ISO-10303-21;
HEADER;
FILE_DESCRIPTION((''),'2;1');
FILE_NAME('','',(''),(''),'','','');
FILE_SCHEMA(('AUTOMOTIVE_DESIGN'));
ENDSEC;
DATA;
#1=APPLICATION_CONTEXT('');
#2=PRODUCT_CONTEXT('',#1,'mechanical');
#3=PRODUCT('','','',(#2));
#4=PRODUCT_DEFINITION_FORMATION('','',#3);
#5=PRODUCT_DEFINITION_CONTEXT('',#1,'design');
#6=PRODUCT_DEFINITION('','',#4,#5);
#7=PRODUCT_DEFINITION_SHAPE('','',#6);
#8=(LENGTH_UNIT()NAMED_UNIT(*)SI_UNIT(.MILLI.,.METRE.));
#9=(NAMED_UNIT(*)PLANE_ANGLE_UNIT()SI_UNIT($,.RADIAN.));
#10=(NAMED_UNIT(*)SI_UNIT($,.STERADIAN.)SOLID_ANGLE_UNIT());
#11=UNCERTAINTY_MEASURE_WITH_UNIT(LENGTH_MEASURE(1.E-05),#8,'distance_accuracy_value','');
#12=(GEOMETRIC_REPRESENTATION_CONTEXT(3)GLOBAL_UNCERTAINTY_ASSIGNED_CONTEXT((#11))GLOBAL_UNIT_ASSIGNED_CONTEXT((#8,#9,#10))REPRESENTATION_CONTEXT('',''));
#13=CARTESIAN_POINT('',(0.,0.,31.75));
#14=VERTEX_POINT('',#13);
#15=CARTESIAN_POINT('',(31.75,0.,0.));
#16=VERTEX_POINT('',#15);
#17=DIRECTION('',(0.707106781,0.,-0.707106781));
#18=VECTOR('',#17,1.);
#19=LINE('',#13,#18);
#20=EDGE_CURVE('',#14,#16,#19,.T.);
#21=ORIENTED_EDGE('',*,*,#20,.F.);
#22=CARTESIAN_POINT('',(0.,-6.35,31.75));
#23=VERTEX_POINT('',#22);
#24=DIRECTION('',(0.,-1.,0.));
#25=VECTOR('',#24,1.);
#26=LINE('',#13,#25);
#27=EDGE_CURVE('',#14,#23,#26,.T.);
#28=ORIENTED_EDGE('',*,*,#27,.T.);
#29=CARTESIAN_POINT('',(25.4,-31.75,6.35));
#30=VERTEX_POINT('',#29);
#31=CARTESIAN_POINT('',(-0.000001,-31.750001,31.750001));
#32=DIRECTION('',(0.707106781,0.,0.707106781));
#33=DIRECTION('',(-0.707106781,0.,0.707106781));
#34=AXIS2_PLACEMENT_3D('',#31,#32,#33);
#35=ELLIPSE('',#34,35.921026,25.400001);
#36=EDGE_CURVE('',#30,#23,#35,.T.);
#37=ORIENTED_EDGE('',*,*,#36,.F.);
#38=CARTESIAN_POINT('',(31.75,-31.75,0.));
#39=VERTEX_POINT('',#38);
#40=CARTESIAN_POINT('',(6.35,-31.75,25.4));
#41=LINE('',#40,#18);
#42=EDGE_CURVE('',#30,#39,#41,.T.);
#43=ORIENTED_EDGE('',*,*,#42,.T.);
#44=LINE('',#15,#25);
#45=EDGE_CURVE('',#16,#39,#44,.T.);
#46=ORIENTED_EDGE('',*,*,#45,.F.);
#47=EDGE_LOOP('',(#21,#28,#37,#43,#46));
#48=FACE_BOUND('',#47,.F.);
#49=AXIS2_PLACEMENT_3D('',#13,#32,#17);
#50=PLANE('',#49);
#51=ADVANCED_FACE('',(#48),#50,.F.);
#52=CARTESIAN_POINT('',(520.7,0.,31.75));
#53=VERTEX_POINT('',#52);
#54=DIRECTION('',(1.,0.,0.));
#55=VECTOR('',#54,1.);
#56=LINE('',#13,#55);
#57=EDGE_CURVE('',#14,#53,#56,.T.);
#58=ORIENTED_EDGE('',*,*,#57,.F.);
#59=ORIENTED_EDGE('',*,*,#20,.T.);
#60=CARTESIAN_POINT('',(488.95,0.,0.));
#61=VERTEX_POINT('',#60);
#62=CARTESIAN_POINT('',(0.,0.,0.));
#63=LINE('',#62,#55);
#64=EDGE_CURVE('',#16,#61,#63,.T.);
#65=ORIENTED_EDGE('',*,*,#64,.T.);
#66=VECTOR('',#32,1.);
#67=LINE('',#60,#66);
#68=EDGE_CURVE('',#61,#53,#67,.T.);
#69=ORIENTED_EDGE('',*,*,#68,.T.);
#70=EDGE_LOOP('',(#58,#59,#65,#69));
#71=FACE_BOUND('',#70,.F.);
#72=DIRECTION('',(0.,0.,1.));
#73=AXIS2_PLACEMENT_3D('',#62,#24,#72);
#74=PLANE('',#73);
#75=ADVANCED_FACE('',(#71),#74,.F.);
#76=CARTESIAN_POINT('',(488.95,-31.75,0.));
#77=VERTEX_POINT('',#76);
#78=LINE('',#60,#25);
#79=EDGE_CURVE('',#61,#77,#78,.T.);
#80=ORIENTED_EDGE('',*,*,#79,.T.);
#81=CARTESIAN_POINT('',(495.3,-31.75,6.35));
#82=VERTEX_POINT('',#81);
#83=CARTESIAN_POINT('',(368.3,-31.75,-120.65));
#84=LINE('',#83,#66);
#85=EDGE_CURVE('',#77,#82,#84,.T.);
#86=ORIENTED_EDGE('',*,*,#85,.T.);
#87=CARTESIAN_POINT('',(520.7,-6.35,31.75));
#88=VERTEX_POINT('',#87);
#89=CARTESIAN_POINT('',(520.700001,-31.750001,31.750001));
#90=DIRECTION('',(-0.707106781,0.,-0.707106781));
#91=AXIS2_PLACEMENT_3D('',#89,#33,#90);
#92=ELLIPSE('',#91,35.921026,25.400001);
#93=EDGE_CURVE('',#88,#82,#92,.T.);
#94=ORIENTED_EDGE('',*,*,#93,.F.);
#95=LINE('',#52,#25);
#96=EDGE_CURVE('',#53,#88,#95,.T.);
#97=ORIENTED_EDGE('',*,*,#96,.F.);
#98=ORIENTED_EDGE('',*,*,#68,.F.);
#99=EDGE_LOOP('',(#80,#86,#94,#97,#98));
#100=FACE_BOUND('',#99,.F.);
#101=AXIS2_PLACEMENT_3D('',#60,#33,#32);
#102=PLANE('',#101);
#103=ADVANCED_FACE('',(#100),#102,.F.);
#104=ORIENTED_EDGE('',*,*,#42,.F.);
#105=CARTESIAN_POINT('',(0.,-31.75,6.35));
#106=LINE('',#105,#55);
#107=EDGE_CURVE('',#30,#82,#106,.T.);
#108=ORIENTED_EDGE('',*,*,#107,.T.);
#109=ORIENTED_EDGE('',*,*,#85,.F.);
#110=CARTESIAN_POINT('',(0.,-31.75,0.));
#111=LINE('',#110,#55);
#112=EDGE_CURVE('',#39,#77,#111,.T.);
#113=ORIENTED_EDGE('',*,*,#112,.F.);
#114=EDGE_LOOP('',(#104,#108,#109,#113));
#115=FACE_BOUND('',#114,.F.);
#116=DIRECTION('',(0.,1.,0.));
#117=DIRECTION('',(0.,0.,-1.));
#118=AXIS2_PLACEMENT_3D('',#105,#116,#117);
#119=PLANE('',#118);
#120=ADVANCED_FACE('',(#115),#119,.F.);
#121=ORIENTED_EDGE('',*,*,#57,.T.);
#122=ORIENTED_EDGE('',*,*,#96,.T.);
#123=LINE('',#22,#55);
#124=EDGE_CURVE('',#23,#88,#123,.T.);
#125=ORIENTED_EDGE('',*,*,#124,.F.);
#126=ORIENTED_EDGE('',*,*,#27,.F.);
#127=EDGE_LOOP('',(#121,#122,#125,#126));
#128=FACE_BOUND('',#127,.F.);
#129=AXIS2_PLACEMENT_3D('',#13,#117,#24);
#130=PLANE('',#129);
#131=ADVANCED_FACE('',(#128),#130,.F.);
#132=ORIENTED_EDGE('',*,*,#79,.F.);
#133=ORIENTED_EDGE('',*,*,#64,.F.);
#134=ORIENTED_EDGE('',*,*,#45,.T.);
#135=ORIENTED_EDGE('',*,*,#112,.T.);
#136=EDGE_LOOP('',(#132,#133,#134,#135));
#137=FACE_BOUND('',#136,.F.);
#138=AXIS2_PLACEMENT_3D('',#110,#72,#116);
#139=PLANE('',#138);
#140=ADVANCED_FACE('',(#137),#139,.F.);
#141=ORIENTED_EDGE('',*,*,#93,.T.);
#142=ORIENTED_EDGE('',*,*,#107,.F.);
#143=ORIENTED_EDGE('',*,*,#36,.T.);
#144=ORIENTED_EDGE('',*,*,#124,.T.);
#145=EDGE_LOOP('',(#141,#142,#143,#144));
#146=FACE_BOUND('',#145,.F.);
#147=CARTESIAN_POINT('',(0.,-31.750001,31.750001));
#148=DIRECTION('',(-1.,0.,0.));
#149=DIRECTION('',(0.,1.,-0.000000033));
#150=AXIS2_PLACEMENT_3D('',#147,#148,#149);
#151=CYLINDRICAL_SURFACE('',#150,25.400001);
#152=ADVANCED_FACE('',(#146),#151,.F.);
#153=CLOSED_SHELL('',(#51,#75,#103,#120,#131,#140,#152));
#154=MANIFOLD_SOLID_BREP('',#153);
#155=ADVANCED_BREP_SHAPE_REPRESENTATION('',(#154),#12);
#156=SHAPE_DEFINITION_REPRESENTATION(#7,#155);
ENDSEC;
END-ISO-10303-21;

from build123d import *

# Parameters (mm, degrees)
F1_DEPTH = 520.7
F3_DEPTH = 50.8


with BuildPart() as f1:
    # F0 (on Right) → F1 (new body)
    with BuildSketch(Plane.YZ):
        with BuildLine():
            Line((-31.75, 0), (0, 0))
            Line((0, 0), (0, 31.75))
            Line((0, 31.75), (-6.35, 31.75))
            ThreePointArc((-6.35, 31.75), (-13.789488, 13.789488), (-31.75, 6.35))
            Line((-31.75, 6.35), (-31.75, 0))
        make_face()
    extrude(amount=F1_DEPTH)

    # F2 (on face) → F3 (cut)
    with BuildSketch(Plane(origin=(0, 0, 0), x_dir=(-1, 0, 0), z_dir=(0, 1, 0))):
        Polygon((0, 0), (0, 31.75), (-31.75, 0), align=None)
        Polygon((-488.95, 0), (-520.7, 31.75), (-520.7, 0), align=None)
    extrude(amount=-F3_DEPTH, mode=Mode.SUBTRACT)


solid = f1.part
